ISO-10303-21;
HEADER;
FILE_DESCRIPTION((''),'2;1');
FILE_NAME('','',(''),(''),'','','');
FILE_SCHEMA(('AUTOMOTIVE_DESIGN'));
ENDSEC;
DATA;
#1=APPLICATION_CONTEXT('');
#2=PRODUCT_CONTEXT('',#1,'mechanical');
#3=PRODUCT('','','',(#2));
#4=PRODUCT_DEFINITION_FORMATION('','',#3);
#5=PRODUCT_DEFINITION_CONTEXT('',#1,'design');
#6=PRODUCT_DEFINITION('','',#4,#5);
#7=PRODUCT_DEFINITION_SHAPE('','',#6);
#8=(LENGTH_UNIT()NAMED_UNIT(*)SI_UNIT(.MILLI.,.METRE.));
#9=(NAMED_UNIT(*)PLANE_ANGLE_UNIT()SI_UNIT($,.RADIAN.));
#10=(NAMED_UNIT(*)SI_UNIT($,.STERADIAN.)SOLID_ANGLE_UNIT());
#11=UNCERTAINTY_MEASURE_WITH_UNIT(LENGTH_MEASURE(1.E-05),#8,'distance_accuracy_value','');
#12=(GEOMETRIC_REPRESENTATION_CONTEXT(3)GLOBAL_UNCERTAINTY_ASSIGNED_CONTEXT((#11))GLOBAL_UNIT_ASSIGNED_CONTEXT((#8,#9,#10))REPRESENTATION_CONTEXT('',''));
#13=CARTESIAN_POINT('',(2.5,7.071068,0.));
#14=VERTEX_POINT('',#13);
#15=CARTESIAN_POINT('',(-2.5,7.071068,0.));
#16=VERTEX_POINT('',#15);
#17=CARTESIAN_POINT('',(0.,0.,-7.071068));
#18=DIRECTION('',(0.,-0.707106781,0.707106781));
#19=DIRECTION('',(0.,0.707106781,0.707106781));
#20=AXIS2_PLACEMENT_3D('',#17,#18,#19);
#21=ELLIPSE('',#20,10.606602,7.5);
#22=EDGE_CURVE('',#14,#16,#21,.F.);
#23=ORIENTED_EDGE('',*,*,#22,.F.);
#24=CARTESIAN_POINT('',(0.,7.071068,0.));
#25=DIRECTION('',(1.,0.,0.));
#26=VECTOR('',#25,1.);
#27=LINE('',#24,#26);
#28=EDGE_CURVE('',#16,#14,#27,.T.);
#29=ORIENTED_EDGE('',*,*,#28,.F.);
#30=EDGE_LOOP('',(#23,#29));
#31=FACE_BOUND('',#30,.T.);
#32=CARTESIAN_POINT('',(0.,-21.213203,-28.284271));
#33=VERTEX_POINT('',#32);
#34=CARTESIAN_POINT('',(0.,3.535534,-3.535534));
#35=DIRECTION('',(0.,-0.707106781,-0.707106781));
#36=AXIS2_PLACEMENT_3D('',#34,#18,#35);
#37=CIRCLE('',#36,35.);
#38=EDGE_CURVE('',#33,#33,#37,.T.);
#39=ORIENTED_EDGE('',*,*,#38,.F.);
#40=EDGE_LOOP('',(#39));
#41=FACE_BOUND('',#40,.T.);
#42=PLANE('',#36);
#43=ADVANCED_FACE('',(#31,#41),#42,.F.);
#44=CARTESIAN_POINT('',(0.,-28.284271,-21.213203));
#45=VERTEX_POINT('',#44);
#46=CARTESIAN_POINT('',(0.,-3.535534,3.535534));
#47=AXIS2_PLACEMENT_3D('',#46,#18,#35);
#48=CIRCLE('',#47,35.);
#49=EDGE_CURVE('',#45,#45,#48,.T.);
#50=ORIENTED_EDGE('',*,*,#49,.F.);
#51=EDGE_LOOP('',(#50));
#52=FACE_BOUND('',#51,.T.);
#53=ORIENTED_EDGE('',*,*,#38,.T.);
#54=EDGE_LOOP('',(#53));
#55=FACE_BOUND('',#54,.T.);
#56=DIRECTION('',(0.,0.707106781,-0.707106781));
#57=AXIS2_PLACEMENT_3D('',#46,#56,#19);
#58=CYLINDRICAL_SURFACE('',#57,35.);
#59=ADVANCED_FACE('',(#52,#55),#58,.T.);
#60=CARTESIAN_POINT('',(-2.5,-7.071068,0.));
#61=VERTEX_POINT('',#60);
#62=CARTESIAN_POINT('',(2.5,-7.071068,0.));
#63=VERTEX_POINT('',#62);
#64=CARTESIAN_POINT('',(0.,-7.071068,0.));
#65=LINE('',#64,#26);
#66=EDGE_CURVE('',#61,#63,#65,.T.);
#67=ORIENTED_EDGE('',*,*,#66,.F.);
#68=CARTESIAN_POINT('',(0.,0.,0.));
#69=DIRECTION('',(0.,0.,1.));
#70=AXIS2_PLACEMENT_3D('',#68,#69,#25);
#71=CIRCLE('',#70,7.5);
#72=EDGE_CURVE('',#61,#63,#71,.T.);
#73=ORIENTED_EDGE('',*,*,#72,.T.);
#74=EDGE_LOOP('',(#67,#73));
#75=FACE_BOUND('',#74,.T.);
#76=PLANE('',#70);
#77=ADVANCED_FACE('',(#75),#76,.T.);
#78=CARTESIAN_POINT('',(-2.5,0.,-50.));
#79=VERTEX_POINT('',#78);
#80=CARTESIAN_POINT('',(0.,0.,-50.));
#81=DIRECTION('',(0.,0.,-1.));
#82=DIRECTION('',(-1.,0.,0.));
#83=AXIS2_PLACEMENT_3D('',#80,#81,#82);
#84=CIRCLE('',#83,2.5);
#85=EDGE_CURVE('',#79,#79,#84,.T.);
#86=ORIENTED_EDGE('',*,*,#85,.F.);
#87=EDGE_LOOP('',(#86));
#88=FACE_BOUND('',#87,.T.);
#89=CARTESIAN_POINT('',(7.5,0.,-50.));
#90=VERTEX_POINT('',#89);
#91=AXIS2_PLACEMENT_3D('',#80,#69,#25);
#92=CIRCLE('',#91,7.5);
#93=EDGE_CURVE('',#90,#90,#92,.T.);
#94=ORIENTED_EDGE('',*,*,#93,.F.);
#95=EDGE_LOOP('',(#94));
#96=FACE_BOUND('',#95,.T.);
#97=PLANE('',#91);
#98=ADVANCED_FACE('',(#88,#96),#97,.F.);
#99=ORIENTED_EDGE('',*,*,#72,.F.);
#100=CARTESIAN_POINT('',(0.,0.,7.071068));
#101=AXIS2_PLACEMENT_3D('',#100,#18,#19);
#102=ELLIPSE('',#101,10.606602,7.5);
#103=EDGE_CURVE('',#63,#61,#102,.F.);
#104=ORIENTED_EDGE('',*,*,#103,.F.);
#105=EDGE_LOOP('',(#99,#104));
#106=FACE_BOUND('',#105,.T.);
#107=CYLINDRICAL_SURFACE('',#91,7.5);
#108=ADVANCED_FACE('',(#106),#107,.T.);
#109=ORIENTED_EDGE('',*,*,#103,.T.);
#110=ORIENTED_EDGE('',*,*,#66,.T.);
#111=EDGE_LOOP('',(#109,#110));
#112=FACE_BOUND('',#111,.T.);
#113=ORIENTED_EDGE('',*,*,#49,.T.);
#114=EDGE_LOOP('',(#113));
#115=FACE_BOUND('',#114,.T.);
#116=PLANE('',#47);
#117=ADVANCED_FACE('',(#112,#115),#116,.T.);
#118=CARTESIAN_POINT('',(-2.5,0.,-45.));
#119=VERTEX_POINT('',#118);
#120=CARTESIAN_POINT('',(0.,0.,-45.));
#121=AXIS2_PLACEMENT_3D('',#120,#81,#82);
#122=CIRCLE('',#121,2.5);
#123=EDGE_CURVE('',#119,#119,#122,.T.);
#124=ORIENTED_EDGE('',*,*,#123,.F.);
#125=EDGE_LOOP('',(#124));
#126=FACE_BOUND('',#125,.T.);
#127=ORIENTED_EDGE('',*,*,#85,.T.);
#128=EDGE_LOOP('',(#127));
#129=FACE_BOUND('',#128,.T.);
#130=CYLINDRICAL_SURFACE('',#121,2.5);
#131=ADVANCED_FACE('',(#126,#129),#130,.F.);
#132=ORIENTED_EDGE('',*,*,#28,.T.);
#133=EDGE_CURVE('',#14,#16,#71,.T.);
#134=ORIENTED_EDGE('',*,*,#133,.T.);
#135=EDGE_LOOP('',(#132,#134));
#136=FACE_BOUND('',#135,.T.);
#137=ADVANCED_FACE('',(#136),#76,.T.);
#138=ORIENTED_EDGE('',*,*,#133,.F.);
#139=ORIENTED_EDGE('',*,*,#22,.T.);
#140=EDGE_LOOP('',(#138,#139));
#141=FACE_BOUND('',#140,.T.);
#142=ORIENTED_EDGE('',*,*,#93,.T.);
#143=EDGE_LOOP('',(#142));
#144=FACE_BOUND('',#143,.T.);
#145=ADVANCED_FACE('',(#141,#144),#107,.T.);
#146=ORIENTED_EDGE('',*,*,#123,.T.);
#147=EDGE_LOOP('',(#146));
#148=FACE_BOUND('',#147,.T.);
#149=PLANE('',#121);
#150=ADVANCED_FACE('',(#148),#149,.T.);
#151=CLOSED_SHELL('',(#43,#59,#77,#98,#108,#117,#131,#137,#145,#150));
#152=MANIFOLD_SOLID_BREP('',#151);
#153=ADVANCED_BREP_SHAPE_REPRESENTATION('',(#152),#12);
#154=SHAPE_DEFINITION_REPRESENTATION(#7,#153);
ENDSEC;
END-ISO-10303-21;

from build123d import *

# Parameters (mm, degrees)
SKETCH1_R           = 7.5
BOSS_EXTRUDE1_DEPTH = 50
SKETCH3_R           = 35
BOSS_EXTRUDE2_DEPTH = 5
SKETCH4_R           = 2.5
CUT_EXTRUDE1_DEPTH  = 5


with BuildPart() as part:
    # Sketch1 → Boss-Extrude1 (new body)
    with BuildSketch(Plane.XY):
        Circle(SKETCH1_R)
    extrude(amount=-BOSS_EXTRUDE1_DEPTH)

    # Sketch3 → Boss-Extrude2 (add, symmetric)
    with BuildSketch(Plane(origin=(0, 0, 0), x_dir=(1, 0, 0), z_dir=(0, -0.7071067811865475, 0.7071067811865477))):
        with Locations(Location((0, 0, 0), (0, 0, 270))):
            Circle(SKETCH3_R)
    extrude(amount=BOSS_EXTRUDE2_DEPTH, both=True)

    # Sketch4 → Cut-Extrude1 (cut)
    with BuildSketch(Plane(origin=(0, 0, -50), x_dir=(-1, 0, 0), z_dir=(0, 0, -1))):
        Circle(SKETCH4_R)
    extrude(amount=-CUT_EXTRUDE1_DEPTH, mode=Mode.SUBTRACT)


solid = part.part
